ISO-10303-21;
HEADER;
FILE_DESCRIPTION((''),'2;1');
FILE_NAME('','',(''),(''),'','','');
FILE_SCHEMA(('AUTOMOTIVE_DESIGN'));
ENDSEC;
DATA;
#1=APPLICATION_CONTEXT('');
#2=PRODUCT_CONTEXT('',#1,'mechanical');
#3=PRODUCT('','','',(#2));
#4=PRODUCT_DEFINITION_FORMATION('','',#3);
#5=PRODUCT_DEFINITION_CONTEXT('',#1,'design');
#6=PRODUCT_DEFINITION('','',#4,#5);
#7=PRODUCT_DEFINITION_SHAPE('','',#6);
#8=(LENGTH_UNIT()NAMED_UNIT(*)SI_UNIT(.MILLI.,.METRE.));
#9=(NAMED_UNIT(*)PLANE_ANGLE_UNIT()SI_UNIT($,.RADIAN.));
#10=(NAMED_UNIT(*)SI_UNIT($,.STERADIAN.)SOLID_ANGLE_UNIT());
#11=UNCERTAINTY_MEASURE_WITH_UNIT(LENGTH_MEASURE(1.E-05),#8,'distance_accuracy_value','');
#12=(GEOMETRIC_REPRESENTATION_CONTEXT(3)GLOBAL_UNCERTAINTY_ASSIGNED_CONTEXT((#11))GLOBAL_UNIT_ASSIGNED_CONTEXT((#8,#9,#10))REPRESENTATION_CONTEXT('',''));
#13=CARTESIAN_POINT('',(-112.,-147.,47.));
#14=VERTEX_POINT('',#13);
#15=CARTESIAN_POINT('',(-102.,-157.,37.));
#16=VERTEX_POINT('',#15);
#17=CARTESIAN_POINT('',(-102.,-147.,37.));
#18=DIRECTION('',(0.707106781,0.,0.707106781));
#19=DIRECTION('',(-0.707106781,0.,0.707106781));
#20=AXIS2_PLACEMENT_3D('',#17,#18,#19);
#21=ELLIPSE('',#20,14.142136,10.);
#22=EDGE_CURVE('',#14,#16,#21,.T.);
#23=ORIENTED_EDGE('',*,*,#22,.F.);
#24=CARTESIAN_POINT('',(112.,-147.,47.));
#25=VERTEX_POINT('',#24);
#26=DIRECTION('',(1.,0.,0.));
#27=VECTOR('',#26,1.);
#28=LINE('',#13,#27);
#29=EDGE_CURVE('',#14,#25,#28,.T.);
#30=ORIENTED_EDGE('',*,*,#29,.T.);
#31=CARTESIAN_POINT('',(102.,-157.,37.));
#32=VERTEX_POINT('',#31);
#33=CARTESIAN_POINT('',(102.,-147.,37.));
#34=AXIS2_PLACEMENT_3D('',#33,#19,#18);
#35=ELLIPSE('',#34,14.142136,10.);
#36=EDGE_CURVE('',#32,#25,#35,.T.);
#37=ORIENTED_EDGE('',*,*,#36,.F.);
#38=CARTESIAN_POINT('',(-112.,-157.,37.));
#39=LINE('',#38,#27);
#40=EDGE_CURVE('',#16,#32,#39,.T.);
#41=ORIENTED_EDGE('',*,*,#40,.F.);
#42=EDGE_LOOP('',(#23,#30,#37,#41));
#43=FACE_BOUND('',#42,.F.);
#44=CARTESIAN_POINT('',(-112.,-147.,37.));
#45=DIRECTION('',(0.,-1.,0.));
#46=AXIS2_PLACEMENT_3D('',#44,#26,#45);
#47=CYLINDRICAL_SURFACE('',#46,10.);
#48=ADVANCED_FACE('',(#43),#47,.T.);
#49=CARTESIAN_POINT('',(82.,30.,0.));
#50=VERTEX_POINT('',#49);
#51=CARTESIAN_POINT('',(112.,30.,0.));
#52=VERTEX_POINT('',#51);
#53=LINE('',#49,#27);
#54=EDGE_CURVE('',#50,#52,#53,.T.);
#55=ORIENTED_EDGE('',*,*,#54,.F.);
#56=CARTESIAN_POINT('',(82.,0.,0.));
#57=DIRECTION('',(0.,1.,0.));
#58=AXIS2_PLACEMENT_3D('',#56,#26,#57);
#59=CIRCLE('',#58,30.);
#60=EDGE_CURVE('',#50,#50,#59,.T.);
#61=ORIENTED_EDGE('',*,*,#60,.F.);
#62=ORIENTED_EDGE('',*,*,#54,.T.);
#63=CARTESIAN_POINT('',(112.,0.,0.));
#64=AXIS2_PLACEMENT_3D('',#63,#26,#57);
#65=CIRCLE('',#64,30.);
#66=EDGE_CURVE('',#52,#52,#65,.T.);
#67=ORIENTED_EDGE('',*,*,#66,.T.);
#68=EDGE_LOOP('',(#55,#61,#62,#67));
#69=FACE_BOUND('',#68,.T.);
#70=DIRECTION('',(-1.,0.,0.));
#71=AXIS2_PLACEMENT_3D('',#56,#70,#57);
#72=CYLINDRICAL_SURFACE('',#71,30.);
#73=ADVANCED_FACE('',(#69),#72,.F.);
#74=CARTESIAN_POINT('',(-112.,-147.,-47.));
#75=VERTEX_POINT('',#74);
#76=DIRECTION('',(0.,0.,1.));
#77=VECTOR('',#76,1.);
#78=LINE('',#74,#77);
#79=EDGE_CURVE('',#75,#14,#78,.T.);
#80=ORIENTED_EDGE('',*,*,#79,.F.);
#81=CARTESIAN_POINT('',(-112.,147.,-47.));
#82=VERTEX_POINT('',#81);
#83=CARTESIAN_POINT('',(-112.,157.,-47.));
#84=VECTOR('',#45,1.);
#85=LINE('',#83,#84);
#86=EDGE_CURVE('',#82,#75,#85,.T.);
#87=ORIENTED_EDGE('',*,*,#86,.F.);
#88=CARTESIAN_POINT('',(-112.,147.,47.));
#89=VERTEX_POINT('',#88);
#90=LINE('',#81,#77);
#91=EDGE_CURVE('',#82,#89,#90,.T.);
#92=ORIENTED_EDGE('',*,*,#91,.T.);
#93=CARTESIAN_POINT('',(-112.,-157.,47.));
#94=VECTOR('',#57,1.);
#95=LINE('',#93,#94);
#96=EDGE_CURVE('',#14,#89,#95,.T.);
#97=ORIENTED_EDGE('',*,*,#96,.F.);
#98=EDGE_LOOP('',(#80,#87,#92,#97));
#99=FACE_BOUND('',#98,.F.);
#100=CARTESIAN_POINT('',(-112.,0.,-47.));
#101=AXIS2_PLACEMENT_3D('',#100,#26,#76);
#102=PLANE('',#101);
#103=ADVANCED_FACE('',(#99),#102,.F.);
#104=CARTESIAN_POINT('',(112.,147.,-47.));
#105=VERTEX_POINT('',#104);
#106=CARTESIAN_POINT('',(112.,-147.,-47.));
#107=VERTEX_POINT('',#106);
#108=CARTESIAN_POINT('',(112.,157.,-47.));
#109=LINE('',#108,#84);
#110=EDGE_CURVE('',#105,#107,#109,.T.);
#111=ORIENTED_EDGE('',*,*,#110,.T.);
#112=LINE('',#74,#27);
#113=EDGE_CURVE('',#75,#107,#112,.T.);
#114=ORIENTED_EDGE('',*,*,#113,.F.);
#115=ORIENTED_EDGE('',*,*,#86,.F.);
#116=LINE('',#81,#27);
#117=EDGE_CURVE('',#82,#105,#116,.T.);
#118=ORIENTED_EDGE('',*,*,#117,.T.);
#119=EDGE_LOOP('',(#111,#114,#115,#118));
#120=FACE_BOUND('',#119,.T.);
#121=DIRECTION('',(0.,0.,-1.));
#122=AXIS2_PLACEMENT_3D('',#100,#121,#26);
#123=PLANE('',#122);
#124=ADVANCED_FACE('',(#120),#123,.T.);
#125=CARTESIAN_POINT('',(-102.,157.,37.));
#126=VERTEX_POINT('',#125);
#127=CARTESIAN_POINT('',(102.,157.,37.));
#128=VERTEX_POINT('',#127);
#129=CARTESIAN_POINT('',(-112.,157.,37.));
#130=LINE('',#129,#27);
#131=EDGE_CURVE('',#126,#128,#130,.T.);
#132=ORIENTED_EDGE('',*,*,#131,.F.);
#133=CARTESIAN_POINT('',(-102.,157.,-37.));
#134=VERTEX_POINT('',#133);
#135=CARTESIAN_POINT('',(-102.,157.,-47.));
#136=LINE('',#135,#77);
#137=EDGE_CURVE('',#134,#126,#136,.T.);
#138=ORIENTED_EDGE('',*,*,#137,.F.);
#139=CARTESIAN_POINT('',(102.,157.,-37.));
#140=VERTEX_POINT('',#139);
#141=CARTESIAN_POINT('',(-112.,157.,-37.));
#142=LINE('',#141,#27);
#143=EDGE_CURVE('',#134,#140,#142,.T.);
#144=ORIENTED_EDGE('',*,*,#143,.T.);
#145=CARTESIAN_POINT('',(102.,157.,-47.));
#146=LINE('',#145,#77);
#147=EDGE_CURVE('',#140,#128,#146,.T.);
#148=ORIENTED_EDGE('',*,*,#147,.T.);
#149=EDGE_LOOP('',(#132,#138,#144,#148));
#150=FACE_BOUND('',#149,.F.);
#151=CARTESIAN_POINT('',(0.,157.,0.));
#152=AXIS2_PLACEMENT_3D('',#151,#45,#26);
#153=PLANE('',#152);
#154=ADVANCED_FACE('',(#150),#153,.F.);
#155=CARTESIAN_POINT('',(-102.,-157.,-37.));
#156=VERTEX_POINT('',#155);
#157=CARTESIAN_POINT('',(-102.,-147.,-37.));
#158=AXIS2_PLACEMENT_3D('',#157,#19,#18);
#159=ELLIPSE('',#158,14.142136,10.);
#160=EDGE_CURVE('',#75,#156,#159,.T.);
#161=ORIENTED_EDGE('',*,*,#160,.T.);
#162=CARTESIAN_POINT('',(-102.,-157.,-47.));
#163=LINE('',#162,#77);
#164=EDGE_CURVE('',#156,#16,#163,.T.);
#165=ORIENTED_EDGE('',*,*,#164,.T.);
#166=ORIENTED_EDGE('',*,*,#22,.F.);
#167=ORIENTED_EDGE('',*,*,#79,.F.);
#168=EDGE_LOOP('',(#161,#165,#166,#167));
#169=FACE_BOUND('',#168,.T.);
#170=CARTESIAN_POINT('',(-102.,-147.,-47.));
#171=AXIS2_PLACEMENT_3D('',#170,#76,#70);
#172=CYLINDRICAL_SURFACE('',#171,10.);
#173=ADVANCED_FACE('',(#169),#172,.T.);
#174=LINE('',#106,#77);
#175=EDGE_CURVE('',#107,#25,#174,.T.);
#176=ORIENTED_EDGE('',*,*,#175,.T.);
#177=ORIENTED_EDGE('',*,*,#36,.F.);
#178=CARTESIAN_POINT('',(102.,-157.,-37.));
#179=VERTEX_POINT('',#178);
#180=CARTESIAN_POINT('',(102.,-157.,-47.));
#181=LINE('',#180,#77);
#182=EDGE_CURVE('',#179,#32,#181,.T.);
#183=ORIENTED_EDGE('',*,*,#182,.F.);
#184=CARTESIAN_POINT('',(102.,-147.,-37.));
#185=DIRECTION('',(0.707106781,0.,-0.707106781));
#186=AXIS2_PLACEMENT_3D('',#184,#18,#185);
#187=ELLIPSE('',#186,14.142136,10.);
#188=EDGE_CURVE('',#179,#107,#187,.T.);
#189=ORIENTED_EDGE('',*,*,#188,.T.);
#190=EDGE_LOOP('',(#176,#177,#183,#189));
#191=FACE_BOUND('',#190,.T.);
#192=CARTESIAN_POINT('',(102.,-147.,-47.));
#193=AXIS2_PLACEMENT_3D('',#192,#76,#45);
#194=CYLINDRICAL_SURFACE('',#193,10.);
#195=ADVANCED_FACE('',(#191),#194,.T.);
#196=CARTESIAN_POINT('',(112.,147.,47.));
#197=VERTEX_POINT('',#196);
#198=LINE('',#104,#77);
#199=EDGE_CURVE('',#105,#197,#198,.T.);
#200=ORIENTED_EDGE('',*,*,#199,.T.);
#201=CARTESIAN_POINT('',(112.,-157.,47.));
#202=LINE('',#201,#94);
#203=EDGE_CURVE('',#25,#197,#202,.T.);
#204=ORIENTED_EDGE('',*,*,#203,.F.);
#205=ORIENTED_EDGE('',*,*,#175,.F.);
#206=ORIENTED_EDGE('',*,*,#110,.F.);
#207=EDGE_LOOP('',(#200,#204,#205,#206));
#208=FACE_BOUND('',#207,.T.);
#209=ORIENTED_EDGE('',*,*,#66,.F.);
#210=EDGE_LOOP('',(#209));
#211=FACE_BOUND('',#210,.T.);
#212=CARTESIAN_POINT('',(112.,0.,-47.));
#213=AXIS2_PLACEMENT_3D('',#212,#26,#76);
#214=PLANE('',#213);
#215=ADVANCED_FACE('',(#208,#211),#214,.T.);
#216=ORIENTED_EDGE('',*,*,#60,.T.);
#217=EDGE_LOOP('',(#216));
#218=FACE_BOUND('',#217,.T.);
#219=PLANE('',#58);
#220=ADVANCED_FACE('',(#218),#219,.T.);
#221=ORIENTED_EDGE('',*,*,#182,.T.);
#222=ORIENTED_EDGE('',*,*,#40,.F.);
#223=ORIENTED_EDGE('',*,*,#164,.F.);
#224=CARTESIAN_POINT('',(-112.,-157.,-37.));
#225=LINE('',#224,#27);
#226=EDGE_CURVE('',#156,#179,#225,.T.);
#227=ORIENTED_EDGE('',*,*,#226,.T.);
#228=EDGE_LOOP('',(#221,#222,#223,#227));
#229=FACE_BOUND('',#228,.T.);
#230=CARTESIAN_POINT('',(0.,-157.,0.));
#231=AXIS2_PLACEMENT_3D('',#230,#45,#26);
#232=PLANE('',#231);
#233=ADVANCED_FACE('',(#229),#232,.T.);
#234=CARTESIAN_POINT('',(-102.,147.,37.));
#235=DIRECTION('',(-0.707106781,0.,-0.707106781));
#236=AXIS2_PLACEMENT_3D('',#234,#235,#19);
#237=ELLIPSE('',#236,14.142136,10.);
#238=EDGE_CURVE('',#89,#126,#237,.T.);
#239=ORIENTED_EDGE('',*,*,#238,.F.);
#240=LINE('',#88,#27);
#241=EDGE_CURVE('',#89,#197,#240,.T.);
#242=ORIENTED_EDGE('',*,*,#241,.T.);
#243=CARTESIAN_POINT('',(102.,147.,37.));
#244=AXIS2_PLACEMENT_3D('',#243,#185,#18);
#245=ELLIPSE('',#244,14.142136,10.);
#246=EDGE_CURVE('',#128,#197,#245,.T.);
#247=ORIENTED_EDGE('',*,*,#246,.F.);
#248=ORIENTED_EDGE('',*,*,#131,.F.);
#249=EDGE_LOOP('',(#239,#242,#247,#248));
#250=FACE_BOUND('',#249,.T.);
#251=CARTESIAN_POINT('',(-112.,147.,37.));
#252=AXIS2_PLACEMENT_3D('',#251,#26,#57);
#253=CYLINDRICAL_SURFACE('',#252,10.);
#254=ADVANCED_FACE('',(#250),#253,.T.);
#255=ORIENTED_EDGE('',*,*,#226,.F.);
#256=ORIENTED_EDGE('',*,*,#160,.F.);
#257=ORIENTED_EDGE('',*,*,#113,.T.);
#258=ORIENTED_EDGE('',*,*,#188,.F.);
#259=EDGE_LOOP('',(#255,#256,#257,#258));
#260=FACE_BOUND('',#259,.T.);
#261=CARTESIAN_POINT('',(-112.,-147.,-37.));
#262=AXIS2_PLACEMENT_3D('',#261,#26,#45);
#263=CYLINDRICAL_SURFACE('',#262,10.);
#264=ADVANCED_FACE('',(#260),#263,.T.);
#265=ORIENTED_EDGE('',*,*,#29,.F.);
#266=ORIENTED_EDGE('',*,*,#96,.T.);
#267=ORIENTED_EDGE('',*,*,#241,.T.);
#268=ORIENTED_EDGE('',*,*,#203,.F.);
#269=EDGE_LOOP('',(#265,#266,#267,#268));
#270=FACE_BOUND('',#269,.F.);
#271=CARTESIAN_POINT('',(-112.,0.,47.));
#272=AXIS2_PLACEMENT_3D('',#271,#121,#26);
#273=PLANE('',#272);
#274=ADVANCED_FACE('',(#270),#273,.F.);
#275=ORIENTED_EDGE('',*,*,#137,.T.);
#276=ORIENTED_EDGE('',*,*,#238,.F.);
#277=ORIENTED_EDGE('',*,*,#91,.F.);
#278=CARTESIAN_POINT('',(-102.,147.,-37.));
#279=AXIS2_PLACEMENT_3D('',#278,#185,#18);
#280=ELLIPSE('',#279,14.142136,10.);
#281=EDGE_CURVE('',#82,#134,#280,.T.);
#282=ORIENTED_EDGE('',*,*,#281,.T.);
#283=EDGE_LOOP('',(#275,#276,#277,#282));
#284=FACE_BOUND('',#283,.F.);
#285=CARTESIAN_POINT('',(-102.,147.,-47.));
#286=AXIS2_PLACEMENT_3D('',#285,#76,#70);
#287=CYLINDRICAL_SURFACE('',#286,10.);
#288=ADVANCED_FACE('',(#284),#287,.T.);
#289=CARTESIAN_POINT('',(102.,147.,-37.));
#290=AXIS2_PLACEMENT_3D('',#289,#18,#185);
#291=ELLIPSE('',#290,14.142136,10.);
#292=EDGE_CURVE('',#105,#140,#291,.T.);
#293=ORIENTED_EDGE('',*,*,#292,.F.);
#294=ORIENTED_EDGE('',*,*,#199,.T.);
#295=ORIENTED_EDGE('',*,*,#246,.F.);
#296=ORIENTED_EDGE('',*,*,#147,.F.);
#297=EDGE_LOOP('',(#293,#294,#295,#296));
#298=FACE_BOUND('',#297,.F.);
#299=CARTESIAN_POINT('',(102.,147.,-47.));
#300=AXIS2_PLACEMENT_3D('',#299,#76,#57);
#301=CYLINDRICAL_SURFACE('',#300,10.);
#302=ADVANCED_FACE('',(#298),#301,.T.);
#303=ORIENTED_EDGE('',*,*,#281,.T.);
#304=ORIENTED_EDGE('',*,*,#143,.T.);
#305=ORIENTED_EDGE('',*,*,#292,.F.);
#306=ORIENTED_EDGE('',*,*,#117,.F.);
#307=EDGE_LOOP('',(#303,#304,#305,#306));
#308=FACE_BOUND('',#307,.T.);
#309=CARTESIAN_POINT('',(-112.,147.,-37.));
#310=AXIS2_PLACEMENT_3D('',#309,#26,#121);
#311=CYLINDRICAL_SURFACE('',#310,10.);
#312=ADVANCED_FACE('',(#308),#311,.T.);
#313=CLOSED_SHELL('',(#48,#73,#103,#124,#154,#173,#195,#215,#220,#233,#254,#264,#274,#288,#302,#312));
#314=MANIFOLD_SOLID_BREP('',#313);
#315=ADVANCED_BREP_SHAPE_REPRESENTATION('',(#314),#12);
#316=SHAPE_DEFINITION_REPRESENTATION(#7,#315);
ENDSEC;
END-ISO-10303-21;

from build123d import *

# Parameters (mm, degrees)
F0_W     = 224
F0_H     = 94
F1_DEPTH = 157
F2_R     = 10
F3_R     = 10
F5_R     = 30
F6_DEPTH = 30


with BuildPart() as f1:
    # F0 (on Front) → F1 (new body, symmetric)
    with BuildSketch(Plane.XZ):
        Rectangle(F0_W, F0_H)
    extrude(amount=F1_DEPTH, both=True)

    # F2
    f2_edges = [f1.edges().sort_by_distance(p)[0] for p in [
        (-112, -157, 0),
        (0, -157, -47),
        (112, -157, 0),
        (0, -157, 47),
    ]]
    fillet(f2_edges, radius=F2_R)

    # F3
    f3_edges = [f1.edges().sort_by_distance(p)[0] for p in [
        (-112, 157, 0),
        (0, 157, -47),
        (112, 157, 0),
        (0, 157, 47),
    ]]
    fillet(f3_edges, radius=F3_R)

    # F5 (on offset) → F6 (cut)
    with BuildSketch(Plane.YZ.offset(82)):
        Circle(F5_R)
    extrude(amount=F6_DEPTH, mode=Mode.SUBTRACT)


solid = f1.part
